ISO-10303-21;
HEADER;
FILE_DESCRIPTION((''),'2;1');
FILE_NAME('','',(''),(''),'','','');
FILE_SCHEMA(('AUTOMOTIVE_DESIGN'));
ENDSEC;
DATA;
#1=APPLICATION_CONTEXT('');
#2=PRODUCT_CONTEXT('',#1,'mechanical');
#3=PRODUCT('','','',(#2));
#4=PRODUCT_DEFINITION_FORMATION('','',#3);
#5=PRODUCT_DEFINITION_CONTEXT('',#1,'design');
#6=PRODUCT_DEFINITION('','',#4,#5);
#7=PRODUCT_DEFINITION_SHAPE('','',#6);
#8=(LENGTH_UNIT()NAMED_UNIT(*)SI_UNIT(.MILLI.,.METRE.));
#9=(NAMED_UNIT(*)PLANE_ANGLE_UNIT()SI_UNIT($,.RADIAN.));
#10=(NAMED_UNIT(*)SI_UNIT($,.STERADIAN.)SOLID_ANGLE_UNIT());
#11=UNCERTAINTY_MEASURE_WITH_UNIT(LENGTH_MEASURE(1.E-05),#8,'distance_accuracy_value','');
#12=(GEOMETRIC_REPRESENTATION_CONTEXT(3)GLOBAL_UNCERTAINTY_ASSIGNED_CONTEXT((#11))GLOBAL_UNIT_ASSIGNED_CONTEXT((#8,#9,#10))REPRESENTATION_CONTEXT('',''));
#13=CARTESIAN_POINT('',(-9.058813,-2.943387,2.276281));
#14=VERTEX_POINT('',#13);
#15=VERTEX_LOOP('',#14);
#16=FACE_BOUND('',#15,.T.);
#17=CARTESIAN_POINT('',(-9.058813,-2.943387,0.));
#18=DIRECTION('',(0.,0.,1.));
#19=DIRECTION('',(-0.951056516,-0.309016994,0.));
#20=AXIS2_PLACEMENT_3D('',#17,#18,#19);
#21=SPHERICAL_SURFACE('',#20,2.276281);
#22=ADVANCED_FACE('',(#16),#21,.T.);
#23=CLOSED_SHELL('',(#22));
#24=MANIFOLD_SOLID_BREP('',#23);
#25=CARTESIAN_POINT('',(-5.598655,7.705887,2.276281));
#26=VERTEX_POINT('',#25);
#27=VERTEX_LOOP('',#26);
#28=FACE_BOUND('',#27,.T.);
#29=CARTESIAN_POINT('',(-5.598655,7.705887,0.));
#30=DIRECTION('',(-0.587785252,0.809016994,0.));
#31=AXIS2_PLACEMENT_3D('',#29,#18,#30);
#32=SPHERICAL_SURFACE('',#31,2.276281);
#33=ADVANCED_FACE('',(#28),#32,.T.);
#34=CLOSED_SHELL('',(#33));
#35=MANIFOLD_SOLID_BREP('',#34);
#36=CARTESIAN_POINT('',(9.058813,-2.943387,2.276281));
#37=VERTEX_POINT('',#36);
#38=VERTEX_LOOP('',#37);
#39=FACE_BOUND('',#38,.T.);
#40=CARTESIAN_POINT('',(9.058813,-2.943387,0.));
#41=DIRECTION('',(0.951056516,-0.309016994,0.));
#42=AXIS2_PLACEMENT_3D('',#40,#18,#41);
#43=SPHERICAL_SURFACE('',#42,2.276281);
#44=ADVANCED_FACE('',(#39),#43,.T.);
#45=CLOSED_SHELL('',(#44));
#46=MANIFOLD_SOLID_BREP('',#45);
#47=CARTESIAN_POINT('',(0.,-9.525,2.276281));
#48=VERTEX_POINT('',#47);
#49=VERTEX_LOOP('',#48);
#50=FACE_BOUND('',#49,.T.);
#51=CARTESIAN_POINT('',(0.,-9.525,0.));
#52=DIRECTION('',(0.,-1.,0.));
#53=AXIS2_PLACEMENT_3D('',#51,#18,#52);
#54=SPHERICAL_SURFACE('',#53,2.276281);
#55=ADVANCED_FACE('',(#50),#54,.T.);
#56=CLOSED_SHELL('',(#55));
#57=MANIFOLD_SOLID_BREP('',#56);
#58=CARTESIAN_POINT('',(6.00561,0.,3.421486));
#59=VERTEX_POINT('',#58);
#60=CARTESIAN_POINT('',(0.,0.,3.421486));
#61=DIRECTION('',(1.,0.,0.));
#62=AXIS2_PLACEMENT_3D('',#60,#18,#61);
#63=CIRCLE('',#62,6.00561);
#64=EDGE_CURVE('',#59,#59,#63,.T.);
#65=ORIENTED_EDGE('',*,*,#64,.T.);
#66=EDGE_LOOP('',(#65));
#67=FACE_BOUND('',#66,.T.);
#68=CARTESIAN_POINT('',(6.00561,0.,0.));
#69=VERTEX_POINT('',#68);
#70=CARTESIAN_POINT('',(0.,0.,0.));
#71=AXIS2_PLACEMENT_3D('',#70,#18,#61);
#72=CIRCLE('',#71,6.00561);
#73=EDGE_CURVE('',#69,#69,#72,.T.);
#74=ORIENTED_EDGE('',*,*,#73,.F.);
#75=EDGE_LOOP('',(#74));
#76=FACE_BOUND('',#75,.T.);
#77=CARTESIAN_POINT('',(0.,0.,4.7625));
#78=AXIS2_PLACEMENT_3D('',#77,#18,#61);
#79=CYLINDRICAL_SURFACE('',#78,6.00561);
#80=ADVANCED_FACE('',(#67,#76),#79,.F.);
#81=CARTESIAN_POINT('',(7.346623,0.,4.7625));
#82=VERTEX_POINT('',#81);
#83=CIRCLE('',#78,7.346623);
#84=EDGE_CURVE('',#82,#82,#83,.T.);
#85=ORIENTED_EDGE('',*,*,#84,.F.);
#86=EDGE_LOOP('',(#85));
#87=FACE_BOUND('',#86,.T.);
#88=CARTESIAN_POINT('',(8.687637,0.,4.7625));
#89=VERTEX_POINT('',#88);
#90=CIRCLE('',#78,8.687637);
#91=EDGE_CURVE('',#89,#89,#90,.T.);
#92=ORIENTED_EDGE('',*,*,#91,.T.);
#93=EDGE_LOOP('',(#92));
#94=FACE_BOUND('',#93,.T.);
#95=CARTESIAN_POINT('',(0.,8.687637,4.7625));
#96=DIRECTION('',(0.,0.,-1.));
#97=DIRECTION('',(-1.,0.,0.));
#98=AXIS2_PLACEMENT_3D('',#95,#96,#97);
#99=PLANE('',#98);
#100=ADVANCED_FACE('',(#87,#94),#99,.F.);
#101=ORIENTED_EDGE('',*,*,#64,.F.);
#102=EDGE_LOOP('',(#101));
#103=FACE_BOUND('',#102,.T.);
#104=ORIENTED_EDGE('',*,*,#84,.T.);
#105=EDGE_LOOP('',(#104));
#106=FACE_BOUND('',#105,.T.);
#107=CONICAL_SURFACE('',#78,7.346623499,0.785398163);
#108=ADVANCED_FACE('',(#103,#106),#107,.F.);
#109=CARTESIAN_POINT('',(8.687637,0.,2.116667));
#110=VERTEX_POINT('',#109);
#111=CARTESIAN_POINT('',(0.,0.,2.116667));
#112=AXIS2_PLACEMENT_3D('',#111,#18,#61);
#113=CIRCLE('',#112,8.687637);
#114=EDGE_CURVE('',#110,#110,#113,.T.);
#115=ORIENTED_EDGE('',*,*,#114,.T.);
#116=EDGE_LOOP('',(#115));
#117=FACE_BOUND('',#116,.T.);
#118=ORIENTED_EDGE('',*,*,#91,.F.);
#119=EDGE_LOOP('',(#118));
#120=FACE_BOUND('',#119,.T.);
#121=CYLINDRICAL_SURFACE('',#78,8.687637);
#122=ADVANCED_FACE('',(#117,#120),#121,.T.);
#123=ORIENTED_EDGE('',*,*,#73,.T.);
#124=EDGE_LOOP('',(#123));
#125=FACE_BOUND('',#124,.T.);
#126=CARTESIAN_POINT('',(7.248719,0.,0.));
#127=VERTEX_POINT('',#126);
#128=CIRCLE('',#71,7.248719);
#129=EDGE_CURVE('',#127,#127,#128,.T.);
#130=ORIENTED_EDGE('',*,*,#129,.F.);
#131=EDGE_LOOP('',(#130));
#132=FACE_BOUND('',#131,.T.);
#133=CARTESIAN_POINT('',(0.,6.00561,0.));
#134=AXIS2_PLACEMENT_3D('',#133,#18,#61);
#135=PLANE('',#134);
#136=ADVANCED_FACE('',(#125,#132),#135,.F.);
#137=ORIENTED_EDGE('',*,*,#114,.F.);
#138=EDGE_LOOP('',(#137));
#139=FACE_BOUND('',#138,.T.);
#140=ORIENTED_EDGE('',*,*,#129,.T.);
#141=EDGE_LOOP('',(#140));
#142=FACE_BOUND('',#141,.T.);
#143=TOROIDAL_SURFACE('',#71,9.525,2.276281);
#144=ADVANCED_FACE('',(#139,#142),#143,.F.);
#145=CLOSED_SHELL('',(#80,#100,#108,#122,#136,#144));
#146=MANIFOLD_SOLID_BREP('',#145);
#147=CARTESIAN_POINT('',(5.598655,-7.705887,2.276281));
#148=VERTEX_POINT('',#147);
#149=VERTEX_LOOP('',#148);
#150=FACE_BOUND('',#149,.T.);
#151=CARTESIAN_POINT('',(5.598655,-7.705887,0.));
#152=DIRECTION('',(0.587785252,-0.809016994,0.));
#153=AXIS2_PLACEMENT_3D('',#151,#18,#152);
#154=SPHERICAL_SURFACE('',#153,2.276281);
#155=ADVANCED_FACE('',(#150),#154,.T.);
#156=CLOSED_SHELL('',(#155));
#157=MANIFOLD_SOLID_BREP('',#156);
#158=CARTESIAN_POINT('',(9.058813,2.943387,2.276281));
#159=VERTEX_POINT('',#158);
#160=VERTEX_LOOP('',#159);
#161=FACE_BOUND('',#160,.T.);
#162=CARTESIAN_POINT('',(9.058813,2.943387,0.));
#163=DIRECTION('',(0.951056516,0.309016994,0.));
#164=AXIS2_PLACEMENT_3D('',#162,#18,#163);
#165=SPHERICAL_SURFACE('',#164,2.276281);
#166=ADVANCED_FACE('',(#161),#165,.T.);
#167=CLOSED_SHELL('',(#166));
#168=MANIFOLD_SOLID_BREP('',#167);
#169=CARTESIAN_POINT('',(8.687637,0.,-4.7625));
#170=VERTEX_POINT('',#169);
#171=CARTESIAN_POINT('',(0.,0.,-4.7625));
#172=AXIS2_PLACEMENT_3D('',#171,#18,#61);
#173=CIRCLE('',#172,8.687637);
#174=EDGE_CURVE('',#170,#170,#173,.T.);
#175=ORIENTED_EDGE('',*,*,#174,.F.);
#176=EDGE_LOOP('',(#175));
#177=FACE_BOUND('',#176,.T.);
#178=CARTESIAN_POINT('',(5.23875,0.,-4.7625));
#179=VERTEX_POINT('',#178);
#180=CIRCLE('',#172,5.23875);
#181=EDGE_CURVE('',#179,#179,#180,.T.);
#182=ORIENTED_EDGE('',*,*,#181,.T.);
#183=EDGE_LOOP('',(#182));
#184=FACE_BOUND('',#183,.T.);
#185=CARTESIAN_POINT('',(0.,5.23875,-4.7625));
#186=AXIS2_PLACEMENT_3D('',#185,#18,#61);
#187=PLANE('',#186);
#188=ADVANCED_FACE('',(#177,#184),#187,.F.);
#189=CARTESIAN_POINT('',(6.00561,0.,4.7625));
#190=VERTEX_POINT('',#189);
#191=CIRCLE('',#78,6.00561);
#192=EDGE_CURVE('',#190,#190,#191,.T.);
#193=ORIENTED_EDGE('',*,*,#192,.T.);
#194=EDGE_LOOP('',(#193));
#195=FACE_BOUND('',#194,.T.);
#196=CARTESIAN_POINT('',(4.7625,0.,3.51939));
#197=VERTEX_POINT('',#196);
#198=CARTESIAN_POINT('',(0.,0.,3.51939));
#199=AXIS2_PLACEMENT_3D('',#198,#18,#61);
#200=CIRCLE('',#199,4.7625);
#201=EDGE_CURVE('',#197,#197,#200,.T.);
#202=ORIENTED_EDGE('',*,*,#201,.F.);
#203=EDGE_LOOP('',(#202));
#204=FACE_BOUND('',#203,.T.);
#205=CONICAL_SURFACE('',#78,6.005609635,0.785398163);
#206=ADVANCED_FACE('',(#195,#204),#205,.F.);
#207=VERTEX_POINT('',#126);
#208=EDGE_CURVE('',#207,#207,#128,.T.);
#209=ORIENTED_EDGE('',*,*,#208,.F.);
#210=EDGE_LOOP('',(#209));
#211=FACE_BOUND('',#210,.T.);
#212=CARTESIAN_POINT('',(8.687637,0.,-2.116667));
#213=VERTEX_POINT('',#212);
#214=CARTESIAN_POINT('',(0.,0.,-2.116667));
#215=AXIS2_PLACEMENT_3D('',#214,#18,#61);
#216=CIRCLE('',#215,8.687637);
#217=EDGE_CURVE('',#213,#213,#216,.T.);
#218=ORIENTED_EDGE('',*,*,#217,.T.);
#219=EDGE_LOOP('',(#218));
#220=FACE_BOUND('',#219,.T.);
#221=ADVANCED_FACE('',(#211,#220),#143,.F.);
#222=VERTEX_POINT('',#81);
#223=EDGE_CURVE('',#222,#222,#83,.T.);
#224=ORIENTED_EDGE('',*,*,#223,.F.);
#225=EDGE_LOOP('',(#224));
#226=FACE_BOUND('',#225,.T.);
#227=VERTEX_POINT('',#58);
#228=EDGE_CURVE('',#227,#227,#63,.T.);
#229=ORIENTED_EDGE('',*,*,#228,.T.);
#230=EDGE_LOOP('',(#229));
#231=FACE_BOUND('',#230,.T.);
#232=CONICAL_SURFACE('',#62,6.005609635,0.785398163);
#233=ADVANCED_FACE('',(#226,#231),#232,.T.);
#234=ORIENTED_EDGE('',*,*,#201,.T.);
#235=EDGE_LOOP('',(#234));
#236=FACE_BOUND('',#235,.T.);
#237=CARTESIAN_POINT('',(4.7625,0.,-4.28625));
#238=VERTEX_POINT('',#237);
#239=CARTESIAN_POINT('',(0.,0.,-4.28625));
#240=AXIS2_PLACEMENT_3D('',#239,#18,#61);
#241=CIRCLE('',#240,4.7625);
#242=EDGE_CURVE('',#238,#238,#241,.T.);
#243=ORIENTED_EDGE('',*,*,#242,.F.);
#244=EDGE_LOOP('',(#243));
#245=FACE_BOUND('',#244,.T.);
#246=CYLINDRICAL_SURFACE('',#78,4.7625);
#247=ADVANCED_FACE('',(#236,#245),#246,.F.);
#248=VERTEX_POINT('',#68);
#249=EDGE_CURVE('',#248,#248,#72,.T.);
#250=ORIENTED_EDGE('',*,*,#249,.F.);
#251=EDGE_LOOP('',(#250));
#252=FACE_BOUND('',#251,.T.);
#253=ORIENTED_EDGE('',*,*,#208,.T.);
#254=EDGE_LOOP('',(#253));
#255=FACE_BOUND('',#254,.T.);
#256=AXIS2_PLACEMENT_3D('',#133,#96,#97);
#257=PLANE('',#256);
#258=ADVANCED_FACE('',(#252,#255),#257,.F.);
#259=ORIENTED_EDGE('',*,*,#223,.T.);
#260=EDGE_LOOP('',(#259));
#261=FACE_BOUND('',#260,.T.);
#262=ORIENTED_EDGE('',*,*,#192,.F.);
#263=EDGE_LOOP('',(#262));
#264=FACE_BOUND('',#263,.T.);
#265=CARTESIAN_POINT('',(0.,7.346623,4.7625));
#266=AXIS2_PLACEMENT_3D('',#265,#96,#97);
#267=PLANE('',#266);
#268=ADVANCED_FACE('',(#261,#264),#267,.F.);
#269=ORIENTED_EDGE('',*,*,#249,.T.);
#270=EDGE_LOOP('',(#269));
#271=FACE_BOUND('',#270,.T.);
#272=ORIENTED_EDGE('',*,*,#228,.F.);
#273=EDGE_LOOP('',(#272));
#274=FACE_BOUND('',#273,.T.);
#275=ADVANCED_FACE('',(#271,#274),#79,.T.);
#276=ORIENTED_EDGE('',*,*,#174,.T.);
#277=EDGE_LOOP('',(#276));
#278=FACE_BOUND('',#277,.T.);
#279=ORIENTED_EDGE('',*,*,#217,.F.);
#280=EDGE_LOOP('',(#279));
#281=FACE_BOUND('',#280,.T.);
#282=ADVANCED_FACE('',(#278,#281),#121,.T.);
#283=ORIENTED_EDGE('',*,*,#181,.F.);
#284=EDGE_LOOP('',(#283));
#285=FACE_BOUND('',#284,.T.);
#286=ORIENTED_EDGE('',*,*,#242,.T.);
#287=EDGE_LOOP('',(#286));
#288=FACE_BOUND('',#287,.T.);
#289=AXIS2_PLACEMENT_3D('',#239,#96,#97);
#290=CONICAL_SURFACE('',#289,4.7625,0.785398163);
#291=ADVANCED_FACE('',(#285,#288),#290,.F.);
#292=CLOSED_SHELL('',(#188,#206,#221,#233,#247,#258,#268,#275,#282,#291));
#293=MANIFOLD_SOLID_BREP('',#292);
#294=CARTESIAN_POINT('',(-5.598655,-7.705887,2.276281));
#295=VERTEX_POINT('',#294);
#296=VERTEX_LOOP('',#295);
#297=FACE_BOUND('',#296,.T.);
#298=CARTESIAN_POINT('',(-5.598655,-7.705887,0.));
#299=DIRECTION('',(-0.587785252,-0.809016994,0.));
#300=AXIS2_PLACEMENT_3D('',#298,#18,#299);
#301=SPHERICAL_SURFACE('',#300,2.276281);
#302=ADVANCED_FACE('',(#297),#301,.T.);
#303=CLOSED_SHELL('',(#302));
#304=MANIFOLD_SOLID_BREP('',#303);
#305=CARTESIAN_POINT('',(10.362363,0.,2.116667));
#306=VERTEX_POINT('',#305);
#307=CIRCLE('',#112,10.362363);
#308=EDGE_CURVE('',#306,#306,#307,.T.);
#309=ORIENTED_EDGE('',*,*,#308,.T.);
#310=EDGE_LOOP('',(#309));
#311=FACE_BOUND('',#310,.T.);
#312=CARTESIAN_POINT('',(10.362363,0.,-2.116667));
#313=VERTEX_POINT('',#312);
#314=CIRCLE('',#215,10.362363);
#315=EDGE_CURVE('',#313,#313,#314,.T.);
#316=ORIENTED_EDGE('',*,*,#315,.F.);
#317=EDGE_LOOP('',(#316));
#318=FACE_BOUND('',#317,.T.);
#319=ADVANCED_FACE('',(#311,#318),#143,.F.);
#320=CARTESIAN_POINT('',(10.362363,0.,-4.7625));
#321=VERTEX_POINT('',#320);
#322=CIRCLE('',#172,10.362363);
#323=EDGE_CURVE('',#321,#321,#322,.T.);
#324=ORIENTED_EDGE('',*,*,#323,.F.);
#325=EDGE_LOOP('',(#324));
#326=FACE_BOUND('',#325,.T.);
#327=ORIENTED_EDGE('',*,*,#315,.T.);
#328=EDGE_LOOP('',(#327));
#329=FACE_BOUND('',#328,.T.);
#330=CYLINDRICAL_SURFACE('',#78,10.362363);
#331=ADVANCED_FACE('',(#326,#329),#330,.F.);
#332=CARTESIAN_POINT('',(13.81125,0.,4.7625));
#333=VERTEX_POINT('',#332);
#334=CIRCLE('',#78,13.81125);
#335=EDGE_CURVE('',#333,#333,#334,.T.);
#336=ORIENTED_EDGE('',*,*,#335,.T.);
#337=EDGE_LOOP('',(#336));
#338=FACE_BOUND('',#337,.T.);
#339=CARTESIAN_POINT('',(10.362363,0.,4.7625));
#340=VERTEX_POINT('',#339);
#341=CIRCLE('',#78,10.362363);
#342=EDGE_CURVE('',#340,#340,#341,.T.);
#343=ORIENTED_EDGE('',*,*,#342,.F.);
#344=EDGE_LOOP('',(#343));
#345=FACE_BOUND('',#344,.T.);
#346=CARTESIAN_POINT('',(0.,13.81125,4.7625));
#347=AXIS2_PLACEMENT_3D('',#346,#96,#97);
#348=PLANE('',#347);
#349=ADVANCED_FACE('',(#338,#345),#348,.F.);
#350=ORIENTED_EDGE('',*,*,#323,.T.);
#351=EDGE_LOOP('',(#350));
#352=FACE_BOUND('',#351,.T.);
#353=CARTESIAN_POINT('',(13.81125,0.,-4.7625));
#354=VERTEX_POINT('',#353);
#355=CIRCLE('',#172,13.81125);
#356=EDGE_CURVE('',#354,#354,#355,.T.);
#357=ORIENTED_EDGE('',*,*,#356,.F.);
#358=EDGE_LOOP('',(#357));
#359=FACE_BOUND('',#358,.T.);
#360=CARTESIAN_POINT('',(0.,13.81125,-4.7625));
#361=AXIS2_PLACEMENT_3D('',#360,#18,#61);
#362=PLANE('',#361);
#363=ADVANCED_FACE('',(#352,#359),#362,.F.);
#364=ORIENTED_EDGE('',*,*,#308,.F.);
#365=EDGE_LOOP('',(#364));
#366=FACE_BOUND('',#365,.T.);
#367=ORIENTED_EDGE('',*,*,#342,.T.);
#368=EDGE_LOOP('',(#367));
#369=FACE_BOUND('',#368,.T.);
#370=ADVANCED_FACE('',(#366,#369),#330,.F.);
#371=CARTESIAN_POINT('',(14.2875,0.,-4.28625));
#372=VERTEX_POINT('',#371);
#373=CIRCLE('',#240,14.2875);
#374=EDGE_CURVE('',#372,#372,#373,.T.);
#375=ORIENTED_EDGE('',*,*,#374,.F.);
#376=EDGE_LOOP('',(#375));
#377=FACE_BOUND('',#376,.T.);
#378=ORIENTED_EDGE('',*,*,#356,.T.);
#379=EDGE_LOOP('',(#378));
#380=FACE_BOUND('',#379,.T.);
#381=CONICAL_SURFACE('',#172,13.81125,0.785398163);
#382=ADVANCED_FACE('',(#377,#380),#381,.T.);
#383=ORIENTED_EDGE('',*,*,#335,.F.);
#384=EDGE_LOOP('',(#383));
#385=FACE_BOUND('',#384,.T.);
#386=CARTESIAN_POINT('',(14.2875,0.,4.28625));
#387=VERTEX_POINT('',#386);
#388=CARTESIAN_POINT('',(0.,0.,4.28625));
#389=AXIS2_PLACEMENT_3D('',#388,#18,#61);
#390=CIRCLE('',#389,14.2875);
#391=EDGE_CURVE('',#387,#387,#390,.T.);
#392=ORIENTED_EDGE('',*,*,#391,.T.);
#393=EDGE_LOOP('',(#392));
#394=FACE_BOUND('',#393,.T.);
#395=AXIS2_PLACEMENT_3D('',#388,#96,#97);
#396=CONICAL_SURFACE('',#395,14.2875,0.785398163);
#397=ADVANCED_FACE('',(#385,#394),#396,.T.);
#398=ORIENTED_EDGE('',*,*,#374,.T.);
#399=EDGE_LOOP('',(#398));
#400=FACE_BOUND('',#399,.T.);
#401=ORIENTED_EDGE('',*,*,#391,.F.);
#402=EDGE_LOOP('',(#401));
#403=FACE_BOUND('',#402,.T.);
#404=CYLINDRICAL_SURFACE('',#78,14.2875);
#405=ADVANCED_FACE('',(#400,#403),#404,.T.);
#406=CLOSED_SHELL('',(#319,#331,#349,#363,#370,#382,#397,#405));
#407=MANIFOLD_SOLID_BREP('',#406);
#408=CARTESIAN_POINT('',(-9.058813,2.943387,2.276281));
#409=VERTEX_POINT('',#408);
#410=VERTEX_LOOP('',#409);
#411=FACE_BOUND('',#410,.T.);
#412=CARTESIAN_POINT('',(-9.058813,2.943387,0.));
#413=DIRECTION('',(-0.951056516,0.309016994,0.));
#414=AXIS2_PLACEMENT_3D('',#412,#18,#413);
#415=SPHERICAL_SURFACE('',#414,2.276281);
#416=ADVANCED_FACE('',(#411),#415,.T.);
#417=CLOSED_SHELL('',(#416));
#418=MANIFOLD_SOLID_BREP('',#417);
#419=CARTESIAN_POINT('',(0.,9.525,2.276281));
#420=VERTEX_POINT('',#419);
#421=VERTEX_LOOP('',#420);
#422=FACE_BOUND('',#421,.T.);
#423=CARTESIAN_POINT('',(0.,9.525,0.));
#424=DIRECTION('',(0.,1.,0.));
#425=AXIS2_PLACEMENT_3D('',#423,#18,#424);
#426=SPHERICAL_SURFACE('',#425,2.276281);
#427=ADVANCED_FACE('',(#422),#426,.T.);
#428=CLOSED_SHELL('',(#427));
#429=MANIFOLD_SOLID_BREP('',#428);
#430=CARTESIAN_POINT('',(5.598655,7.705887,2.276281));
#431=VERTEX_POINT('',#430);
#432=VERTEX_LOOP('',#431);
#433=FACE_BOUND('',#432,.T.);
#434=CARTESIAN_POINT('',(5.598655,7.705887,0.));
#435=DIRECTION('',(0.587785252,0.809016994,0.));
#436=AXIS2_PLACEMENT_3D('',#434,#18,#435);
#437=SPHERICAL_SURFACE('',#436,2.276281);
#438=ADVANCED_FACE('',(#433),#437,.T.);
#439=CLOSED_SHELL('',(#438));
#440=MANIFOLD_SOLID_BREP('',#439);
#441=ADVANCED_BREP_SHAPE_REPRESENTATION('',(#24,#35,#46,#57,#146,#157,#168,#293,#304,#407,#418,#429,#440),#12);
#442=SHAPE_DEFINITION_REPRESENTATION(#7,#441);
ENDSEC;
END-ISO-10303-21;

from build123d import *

# Parameters (mm, degrees)
CIRPATTERN1_COUNT = 10


with BuildPart() as part:
    # Sketch1 → Revolve1 (revolve)
    with BuildSketch(Plane(origin=(0, 0, 0), x_dir=(0, 0, -1), z_dir=(1, 0, 0))):
        with BuildLine():
            Line((4.28625, 14.2875), (-4.28625, 14.2875))
            Line((-4.28625, 14.2875), (-4.7625, 13.81125))
            Line((-4.7625, 13.81125), (-4.7625, 10.362362637))
            Line((-4.7625, 10.362362637), (-2.116666667, 10.362362637))
            ThreePointArc((-2.116666667, 10.362362637), (0, 11.801280731), (2.116666667, 10.362362637))
            Line((2.116666667, 10.362362637), (4.7625, 10.362362637))
            Line((4.7625, 10.362362637), (4.7625, 13.81125))
            Line((4.7625, 13.81125), (4.28625, 14.2875))
        make_face()
    revolve(axis=Axis((0, 0, 4.7625), (0, 0, -1)))


with BuildPart() as body_2:
    # Sketch2 → Revolve2 (revolve)
    with BuildSketch(Plane(origin=(0, 0, 0), x_dir=(0, 0, -1), z_dir=(1, 0, 0))):
        with BuildLine():
            Line((-4.7625, 8.687637363), (-2.116666667, 8.687637363))
            ThreePointArc((-2.116666667, 8.687637363), (-1.279722925, 7.642511434), (0, 7.248719269))
            Line((0, 7.248719269), (0, 6.005609635))
            Line((0, 6.005609635), (-3.421486136, 6.005609635))
            Line((-3.421486136, 6.005609635), (-4.7625, 7.346623499))
            Line((-4.7625, 7.346623499), (-4.7625, 8.687637363))
        make_face()
    revolve(axis=Axis((0, 0, 4.7625), (0, 0, -1)))


with BuildPart() as body_3:
    # Sketch3 → Revolve3 (revolve)
    with BuildSketch(Plane(origin=(0, 0, 0), x_dir=(0, 0, -1), z_dir=(1, 0, 0))):
        with BuildLine():
            Line((-4.7625, 7.346623499), (-3.421486136, 6.005609635))
            Line((-3.421486136, 6.005609635), (0, 6.005609635))
            Line((0, 6.005609635), (0, 7.248719269))
            ThreePointArc((0, 7.248719269), (1.279722925, 7.642511434), (2.116666667, 8.687637363))
            Line((2.116666667, 8.687637363), (4.7625, 8.687637363))
            Line((4.7625, 8.687637363), (4.7625, 5.23875))
            Line((4.7625, 5.23875), (4.28625, 4.7625))
            Line((4.28625, 4.7625), (-3.519390365, 4.7625))
            Line((-3.519390365, 4.7625), (-4.7625, 6.005609635))
            Line((-4.7625, 6.005609635), (-4.7625, 7.346623499))
        make_face()
    revolve(axis=Axis((0, 0, 4.7625), (0, 0, -1)))


with BuildPart() as body_4:
    # Sketch4 → Revolve4 (revolve)
    with BuildSketch(Plane(origin=(0, 0, 0), x_dir=(0, 0, -1), z_dir=(1, 0, 0))):
        with BuildLine():
            Line((-2.276280731, 9.525), (2.276280731, 9.525))
            ThreePointArc((2.276280731, 9.525), (0, 11.801280731), (-2.276280731, 9.525))
        make_face()
    revolve(axis=Axis((0, 9.525, 2.276280731), (0, 0, -1)))


with BuildPart() as cirpattern1_1:
    # CirPattern1: pattern copy
    add(body_4.part.rotate(Axis((0, 0, 0), (0, 0, 1)), 1 * 360 / CIRPATTERN1_COUNT))


with BuildPart() as cirpattern1_2:
    # CirPattern1: pattern copy
    add(body_4.part.rotate(Axis((0, 0, 0), (0, 0, 1)), 2 * 360 / CIRPATTERN1_COUNT))


with BuildPart() as cirpattern1_3:
    # CirPattern1: pattern copy
    add(body_4.part.rotate(Axis((0, 0, 0), (0, 0, 1)), 3 * 360 / CIRPATTERN1_COUNT))


with BuildPart() as cirpattern1_4:
    # CirPattern1: pattern copy
    add(body_4.part.rotate(Axis((0, 0, 0), (0, 0, 1)), 4 * 360 / CIRPATTERN1_COUNT))


with BuildPart() as cirpattern1_5:
    # CirPattern1: pattern copy
    add(body_4.part.rotate(Axis((0, 0, 0), (0, 0, 1)), 5 * 360 / CIRPATTERN1_COUNT))


with BuildPart() as cirpattern1_6:
    # CirPattern1: pattern copy
    add(body_4.part.rotate(Axis((0, 0, 0), (0, 0, 1)), 6 * 360 / CIRPATTERN1_COUNT))


with BuildPart() as cirpattern1_7:
    # CirPattern1: pattern copy
    add(body_4.part.rotate(Axis((0, 0, 0), (0, 0, 1)), 7 * 360 / CIRPATTERN1_COUNT))


with BuildPart() as cirpattern1_8:
    # CirPattern1: pattern copy
    add(body_4.part.rotate(Axis((0, 0, 0), (0, 0, 1)), 8 * 360 / CIRPATTERN1_COUNT))


with BuildPart() as cirpattern1_9:
    # CirPattern1: pattern copy
    add(body_4.part.rotate(Axis((0, 0, 0), (0, 0, 1)), 9 * 360 / CIRPATTERN1_COUNT))


solid = Compound([part.part, body_2.part, body_3.part, body_4.part, cirpattern1_1.part, cirpattern1_2.part, cirpattern1_3.part, cirpattern1_4.part, cirpattern1_5.part, cirpattern1_6.part, cirpattern1_7.part, cirpattern1_8.part, cirpattern1_9.part])
